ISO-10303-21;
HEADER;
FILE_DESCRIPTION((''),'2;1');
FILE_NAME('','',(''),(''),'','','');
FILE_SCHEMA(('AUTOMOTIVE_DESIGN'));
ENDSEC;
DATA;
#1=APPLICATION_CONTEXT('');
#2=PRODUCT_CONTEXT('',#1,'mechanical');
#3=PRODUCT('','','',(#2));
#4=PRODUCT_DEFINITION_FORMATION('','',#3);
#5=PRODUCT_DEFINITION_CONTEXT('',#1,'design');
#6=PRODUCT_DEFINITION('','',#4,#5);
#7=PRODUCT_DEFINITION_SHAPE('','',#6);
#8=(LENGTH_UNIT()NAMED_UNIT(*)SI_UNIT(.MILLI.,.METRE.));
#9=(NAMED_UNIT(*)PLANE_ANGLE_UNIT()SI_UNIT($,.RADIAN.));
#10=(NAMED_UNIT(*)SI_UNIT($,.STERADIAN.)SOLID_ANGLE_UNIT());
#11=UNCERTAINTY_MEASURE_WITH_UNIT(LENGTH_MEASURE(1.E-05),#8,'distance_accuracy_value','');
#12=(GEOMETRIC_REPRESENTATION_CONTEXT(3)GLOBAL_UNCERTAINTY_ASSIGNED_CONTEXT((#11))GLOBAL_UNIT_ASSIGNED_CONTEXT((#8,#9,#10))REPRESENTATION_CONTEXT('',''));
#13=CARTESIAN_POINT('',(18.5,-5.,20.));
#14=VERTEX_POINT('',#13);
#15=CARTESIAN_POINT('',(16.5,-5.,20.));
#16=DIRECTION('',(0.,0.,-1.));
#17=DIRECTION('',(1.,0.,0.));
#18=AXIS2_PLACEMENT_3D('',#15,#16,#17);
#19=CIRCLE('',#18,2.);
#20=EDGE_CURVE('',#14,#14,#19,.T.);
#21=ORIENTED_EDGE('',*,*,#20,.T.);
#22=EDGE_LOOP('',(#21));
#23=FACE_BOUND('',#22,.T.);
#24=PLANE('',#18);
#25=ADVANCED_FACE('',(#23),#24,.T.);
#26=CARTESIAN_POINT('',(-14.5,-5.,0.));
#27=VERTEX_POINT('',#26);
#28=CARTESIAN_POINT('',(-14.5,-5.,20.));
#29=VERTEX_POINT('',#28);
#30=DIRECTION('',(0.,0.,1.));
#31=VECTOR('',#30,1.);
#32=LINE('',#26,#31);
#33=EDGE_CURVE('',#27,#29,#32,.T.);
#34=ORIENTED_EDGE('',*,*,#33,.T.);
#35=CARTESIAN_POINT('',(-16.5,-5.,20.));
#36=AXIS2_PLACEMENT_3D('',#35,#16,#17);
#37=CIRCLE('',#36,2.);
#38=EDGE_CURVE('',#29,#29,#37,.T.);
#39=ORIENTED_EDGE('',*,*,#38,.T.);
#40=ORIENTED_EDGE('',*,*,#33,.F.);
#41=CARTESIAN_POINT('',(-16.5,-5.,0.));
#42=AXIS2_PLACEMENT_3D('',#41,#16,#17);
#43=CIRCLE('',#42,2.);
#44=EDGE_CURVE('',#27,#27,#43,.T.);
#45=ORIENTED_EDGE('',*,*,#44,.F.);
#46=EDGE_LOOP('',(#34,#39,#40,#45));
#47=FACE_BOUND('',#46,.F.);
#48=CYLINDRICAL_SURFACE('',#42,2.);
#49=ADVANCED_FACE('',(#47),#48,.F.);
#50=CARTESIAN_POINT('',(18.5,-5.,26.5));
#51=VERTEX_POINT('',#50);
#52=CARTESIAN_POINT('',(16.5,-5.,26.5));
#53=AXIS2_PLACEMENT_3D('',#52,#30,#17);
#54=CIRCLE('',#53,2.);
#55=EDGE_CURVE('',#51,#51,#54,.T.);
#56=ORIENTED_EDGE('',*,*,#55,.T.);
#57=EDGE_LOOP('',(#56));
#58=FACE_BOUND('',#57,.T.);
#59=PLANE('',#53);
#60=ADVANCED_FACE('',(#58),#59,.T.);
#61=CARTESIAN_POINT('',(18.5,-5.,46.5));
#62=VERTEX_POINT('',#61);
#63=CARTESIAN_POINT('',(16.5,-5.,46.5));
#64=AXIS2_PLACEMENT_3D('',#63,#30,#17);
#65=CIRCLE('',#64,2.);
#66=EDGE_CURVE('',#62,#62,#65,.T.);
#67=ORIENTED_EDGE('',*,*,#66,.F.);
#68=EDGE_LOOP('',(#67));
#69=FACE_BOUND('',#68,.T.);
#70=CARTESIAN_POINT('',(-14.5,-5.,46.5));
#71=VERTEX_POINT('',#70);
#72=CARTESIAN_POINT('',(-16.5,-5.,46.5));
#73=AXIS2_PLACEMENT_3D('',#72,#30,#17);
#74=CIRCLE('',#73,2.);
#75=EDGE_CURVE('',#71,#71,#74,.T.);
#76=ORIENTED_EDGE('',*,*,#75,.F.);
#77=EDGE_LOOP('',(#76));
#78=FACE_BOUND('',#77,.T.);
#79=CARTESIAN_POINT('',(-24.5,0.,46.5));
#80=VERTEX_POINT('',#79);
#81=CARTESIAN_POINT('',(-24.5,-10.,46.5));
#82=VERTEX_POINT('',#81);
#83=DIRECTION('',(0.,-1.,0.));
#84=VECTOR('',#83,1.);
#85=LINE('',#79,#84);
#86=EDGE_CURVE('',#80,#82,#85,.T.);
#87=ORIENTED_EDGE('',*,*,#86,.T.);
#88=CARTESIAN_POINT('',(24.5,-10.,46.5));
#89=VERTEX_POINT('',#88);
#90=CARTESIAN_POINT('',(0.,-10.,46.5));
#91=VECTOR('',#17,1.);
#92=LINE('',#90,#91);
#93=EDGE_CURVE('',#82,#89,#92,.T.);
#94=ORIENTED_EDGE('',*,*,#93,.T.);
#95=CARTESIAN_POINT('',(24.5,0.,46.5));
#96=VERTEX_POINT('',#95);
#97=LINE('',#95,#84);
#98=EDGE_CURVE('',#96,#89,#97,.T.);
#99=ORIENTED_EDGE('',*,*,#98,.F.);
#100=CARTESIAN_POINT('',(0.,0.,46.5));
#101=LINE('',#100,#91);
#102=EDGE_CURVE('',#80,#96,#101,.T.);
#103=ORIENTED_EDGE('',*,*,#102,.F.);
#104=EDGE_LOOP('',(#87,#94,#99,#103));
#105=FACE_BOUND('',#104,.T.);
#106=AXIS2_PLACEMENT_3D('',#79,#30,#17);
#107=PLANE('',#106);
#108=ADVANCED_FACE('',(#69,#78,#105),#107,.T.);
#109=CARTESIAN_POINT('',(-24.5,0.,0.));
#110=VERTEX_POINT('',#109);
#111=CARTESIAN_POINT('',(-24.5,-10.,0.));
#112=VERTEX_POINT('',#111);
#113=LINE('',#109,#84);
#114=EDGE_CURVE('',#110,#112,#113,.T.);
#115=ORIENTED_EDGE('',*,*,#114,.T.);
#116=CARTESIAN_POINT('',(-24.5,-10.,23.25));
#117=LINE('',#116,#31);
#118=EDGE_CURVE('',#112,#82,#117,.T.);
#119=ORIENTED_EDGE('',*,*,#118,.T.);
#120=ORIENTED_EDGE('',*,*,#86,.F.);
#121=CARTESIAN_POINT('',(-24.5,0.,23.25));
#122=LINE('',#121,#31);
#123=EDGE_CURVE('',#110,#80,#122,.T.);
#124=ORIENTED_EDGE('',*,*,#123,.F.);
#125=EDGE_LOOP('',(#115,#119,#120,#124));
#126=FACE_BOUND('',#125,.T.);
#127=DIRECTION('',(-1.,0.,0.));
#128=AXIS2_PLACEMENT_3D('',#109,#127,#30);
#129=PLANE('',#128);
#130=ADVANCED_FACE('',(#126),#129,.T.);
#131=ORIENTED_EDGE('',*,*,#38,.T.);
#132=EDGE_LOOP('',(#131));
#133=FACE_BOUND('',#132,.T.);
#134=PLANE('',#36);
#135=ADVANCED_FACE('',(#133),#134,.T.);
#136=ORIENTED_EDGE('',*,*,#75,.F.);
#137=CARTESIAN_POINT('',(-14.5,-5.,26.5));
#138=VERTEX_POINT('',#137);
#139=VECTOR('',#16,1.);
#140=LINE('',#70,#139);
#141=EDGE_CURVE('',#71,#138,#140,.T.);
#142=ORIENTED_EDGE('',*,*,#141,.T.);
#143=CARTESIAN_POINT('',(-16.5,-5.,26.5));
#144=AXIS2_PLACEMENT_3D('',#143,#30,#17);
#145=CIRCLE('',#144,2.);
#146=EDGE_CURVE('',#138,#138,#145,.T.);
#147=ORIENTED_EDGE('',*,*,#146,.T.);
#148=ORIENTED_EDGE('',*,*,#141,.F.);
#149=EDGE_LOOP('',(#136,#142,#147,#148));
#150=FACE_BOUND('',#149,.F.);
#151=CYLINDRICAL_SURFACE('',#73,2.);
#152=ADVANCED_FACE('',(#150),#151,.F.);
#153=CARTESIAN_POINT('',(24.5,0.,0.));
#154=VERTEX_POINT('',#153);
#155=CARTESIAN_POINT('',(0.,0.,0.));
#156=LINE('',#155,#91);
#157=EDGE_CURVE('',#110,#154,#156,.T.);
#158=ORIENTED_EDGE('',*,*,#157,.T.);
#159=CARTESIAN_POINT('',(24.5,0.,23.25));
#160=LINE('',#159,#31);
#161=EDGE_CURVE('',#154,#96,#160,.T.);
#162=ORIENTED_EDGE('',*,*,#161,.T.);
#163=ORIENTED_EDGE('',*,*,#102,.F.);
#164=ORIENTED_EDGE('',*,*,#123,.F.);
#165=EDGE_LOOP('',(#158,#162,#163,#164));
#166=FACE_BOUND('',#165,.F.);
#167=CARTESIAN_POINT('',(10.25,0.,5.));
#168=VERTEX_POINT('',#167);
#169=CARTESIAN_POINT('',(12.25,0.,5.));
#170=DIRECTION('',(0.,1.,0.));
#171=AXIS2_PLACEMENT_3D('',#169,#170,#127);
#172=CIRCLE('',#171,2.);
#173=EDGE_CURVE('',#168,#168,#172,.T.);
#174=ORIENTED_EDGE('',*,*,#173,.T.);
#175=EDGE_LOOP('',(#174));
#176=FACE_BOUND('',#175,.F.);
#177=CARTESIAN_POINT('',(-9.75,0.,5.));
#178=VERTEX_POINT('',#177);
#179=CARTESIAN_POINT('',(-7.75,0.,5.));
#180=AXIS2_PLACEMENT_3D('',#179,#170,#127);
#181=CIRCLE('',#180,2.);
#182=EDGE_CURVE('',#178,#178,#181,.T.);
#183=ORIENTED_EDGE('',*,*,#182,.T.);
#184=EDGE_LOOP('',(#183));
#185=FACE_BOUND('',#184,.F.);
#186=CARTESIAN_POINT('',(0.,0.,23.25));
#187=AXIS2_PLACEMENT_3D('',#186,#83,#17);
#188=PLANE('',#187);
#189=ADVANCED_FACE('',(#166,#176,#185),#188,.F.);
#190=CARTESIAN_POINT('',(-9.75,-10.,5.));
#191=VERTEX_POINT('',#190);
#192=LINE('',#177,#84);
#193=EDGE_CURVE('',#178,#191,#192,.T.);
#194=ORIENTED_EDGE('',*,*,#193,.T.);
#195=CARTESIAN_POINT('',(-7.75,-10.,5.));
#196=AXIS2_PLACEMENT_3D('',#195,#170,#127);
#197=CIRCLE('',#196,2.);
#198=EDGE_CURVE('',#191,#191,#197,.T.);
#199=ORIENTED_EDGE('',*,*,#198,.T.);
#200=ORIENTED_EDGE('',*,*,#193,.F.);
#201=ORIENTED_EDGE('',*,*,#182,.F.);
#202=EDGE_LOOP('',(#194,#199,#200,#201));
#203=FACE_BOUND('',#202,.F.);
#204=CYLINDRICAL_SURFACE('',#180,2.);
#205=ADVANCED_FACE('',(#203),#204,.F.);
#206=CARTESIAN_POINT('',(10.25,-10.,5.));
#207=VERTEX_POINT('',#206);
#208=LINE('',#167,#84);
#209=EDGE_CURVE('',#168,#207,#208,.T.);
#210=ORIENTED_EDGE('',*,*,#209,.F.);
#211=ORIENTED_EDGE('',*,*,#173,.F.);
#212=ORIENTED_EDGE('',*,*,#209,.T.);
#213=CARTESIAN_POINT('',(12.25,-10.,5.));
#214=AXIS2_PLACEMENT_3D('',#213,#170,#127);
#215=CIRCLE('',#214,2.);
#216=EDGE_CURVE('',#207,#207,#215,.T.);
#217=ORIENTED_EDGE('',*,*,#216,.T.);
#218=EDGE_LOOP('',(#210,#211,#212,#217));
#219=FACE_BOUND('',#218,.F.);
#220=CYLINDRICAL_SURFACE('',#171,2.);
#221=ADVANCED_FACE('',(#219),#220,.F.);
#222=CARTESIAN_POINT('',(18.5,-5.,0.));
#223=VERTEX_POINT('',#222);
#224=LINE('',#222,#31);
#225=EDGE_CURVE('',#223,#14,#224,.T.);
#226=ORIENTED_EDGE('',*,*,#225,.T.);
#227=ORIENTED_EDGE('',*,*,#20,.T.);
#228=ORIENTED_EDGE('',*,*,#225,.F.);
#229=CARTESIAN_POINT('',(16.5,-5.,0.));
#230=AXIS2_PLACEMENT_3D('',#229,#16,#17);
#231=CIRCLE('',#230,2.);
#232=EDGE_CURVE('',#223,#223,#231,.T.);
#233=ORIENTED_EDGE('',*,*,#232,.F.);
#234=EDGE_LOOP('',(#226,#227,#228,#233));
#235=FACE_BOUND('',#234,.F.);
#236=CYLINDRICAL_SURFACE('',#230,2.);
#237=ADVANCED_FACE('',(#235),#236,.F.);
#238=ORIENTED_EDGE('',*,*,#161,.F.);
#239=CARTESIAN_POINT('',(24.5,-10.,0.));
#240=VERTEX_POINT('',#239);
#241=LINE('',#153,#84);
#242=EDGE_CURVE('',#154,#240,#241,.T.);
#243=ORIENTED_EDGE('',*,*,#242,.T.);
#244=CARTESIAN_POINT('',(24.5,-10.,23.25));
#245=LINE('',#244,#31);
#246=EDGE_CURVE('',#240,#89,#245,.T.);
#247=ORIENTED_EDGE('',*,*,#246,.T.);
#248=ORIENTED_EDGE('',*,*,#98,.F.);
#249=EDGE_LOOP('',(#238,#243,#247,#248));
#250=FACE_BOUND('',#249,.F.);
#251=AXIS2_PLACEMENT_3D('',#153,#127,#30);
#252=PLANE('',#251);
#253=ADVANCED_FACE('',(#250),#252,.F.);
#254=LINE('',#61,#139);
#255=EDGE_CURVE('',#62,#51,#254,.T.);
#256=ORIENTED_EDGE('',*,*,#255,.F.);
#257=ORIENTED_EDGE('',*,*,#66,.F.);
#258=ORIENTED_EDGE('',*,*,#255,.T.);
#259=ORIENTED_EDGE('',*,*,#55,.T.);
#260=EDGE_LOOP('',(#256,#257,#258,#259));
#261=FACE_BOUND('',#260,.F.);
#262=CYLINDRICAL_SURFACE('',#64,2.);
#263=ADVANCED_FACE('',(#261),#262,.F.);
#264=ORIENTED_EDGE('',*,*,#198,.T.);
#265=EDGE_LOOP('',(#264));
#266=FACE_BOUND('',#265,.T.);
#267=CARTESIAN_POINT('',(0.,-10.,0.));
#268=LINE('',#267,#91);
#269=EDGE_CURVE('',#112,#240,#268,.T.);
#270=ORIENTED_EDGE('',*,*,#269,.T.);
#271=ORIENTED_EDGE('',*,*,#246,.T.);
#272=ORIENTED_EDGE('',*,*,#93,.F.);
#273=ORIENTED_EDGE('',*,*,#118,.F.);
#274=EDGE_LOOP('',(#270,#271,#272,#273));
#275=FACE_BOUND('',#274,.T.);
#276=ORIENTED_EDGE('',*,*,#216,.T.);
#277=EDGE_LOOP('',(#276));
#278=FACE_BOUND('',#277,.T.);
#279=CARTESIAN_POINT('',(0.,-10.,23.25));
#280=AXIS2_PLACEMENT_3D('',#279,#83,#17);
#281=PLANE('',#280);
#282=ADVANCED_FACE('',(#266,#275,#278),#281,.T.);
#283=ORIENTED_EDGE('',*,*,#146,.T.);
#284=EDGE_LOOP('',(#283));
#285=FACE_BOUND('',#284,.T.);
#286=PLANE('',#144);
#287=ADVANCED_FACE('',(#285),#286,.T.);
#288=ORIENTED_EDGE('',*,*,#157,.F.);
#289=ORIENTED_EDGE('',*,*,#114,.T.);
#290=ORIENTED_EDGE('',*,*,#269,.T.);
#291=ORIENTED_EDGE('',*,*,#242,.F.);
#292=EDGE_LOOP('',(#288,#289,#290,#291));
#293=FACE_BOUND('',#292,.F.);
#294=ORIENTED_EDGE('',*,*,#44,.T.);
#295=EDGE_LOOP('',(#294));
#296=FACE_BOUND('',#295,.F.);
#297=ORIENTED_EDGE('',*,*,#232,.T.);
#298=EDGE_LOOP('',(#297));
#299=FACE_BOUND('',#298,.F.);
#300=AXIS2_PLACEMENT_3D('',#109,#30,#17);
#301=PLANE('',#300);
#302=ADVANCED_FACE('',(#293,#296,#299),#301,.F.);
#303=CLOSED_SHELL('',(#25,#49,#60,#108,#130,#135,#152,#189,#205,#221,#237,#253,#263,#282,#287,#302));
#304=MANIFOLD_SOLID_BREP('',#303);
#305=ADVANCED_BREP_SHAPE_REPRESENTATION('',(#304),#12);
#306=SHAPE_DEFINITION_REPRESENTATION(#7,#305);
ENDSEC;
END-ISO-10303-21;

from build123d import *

# Parameters (mm, degrees)
F0_W     = 49
F0_H     = 46.5
F1_DEPTH = 10
F2_R     = 2
F3_DEPTH = 10.001
F4_R     = 2
F5_DEPTH = 20
F6_R     = 2
F7_DEPTH = 20


with BuildPart() as f1:
    # F0 (on Front) → F1 (new body)
    with BuildSketch(Plane.XZ):
        with Locations((0, 23.25)):
            Rectangle(F0_W, F0_H)
    extrude(amount=F1_DEPTH)

    # F2 (on face) → F3 (cut, through all)
    with BuildSketch(Plane(origin=(0, 0, 0), x_dir=(-1, 0, 0), z_dir=(0, 1, 0))):
        with Locations((-12.25, 5)):
            Circle(F2_R)
        with Locations((7.75, 5)):
            Circle(F2_R)
    extrude(amount=-F3_DEPTH, mode=Mode.SUBTRACT)

    # F4 (on face) → F5 (cut)
    with BuildSketch(Plane.XY.offset(46.5)):
        with Locations((16.5, -5)):
            Circle(F4_R)
        with Locations((-16.5, -5)):
            Circle(F4_R)
    extrude(amount=-F5_DEPTH, mode=Mode.SUBTRACT)

    # F6 (on face) → F7 (cut)
    with BuildSketch(Plane(origin=(0, 0, 0), x_dir=(1, 0, 0), z_dir=(0, 0, -1))):
        with Locations((-16.5, 5)):
            Circle(F6_R)
        with Locations((16.5, 5)):
            Circle(F6_R)
    extrude(amount=-F7_DEPTH, mode=Mode.SUBTRACT)


solid = f1.part
